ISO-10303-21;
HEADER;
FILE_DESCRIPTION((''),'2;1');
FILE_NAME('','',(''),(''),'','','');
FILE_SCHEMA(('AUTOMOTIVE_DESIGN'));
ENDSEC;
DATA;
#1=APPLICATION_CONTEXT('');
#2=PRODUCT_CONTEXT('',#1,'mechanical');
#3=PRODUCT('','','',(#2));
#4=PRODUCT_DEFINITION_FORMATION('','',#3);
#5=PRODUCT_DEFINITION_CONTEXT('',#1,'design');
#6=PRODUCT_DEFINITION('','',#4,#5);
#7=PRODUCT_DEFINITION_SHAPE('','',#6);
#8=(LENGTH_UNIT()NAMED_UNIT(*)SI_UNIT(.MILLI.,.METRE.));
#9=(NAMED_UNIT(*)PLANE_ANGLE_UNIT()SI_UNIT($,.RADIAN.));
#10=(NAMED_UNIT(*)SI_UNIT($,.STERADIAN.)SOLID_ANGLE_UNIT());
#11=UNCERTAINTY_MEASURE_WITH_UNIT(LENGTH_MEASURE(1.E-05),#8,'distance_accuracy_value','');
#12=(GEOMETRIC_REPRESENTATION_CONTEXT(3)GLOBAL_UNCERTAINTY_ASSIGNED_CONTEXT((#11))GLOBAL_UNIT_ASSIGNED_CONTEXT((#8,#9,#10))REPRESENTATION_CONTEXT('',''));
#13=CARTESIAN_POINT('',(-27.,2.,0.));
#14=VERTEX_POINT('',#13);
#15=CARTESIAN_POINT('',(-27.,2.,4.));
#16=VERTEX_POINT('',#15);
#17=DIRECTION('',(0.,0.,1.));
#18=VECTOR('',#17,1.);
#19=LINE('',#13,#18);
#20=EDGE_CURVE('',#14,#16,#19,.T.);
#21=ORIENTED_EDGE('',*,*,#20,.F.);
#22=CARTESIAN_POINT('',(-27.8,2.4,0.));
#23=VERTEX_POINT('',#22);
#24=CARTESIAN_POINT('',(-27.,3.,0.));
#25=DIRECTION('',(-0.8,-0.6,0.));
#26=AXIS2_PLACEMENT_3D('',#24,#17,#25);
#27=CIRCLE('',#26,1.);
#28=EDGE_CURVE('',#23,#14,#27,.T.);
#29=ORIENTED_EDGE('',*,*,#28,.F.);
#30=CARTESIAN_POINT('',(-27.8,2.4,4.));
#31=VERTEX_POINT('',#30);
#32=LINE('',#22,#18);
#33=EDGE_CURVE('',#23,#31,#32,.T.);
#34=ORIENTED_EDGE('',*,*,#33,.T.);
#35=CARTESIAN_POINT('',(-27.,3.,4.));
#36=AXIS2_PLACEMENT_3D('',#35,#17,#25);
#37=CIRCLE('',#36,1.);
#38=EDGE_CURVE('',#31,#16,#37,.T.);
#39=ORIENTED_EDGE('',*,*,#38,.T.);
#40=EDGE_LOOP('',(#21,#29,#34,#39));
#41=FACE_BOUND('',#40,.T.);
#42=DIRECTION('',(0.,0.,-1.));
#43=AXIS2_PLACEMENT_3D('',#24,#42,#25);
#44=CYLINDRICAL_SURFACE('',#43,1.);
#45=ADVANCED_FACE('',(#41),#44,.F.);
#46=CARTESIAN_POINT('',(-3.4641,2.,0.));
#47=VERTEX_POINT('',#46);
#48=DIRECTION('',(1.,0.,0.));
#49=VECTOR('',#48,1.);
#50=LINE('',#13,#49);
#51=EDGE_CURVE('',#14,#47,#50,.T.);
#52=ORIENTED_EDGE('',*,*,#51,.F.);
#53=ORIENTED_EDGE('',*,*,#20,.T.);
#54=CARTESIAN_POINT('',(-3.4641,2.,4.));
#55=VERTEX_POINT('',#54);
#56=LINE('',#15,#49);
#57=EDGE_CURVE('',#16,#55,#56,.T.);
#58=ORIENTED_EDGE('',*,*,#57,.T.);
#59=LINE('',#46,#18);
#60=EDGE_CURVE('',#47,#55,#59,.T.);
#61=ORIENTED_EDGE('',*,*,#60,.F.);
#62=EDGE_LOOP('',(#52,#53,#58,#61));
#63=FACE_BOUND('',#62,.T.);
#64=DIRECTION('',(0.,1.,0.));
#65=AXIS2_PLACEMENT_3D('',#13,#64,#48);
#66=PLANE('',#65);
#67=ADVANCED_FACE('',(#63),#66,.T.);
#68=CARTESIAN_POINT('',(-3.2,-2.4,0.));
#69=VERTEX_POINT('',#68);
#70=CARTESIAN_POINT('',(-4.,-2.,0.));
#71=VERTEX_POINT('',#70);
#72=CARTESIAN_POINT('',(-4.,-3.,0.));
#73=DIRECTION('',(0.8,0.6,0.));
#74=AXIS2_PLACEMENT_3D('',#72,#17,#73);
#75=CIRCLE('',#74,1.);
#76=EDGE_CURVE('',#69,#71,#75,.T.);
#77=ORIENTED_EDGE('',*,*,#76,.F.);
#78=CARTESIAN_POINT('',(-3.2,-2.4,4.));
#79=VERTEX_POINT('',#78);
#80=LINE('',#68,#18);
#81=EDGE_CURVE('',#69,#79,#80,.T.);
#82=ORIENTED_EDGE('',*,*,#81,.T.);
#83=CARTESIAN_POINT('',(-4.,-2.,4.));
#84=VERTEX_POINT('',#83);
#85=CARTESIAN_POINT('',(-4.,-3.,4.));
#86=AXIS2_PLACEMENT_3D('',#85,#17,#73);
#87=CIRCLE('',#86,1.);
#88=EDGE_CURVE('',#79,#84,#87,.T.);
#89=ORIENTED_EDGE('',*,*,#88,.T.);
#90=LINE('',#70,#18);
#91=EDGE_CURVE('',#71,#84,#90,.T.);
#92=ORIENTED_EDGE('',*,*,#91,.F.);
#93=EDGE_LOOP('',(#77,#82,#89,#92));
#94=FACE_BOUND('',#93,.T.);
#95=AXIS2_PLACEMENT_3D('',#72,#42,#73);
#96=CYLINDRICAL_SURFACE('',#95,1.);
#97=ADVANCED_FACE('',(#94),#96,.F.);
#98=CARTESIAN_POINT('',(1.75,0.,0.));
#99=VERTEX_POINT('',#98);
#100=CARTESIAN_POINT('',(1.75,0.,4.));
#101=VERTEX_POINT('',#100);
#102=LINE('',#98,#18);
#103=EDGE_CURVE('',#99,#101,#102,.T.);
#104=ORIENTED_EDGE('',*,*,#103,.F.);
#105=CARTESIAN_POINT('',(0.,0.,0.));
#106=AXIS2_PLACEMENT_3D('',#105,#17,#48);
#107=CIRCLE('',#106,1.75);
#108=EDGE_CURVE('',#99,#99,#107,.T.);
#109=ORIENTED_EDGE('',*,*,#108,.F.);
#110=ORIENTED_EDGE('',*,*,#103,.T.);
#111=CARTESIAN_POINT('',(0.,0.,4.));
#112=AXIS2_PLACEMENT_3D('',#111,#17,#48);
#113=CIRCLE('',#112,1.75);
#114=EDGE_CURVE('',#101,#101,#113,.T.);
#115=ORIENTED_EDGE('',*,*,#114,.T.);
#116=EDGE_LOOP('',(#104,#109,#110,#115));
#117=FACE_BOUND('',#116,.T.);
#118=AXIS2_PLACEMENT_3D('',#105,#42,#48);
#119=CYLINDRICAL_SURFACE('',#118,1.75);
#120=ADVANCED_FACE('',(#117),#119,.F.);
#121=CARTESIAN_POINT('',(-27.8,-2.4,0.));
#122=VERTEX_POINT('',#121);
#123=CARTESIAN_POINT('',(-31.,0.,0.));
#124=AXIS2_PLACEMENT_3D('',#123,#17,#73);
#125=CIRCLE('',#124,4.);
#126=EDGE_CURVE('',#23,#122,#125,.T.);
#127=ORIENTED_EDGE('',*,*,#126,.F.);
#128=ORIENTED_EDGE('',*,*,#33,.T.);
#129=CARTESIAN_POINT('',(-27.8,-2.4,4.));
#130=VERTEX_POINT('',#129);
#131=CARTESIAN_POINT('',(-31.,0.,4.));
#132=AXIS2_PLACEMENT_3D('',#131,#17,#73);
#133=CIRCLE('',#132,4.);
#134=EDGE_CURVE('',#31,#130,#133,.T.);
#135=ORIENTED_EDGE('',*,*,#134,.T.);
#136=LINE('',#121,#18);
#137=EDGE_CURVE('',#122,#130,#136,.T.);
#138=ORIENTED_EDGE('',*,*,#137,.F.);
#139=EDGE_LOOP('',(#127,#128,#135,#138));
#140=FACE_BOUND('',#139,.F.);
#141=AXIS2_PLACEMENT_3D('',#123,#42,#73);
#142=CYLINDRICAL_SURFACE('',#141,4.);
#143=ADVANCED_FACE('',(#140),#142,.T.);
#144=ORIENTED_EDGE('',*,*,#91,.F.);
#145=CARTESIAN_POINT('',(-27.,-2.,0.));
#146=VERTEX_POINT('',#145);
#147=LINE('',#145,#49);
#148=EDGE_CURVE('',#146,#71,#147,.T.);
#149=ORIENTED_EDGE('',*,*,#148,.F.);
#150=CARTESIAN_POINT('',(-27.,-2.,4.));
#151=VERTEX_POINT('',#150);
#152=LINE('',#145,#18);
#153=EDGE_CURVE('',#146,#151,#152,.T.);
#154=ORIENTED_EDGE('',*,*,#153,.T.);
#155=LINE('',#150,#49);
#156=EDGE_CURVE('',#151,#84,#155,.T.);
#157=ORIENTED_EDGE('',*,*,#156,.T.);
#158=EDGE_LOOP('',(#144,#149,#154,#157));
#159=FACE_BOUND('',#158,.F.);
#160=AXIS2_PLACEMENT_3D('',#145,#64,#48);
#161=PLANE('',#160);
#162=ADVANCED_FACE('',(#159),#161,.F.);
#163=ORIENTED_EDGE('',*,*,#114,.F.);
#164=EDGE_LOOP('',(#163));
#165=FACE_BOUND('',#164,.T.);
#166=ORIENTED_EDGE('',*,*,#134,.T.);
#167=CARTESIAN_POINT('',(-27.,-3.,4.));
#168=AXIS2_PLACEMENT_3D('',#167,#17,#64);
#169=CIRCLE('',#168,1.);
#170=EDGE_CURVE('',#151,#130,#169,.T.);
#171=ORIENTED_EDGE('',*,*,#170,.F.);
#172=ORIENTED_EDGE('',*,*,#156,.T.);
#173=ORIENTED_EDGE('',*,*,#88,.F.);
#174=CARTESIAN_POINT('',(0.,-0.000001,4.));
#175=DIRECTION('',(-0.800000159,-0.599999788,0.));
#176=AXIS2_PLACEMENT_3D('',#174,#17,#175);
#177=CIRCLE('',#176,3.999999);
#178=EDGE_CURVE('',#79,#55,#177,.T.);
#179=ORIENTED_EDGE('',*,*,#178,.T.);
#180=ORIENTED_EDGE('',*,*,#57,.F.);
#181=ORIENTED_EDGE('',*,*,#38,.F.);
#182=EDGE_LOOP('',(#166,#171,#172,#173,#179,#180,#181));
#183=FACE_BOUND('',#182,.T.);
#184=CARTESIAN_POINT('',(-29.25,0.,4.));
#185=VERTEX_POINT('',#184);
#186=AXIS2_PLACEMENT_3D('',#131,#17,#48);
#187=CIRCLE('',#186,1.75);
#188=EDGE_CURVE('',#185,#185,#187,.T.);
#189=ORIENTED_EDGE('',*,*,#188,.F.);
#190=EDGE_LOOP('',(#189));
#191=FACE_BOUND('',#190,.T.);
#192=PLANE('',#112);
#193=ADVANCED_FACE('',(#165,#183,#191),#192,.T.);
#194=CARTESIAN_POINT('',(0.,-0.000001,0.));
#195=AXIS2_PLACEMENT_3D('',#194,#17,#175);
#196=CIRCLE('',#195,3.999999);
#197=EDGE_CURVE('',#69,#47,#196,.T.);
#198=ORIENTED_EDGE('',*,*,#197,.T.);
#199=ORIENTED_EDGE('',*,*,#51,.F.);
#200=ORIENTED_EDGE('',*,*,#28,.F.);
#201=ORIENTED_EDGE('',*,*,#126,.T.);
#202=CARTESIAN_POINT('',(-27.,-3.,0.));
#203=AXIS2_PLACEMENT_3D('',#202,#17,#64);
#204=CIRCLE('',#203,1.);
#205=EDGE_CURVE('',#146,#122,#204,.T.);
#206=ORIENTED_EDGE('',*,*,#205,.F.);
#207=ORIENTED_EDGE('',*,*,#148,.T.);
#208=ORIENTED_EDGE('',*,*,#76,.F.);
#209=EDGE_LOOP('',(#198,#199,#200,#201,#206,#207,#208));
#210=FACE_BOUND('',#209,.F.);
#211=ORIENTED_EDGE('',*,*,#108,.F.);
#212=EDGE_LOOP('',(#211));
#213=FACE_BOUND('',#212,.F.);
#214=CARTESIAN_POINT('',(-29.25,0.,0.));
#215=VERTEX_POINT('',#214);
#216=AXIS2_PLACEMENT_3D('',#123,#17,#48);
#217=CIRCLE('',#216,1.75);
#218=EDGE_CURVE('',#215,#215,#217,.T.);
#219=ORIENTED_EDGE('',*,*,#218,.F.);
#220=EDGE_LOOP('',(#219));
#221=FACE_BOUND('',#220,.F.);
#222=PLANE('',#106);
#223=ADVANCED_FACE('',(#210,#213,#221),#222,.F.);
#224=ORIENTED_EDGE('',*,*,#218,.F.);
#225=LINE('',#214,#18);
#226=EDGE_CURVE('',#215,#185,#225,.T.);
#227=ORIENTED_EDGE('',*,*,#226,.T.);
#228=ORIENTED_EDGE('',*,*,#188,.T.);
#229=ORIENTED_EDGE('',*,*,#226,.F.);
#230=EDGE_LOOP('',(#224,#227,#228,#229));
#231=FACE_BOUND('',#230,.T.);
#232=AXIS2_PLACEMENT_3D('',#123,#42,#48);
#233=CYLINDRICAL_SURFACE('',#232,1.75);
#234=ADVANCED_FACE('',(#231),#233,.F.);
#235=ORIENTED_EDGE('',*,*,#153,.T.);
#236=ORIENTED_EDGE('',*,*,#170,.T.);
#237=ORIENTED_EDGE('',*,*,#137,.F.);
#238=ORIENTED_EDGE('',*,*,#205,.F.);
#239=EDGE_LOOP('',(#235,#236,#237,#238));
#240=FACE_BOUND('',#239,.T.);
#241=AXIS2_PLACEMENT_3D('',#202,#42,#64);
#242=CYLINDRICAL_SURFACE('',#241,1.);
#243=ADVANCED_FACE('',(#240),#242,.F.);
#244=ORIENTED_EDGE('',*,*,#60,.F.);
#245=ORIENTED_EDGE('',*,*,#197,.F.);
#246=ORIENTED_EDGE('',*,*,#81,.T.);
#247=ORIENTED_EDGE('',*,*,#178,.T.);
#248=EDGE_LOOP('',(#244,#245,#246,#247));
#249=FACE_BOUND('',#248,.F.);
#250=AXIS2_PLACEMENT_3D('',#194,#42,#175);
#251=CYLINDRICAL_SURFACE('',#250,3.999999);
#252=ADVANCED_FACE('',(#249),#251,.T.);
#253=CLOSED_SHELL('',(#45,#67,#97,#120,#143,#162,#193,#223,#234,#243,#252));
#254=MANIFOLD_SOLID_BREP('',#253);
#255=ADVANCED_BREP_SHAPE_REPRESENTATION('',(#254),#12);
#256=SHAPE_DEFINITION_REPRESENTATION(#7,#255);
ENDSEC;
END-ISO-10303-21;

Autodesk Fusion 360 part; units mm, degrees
sketch "Sketch1" plane through (0, 0, 0) normal (0, 0, 1) x (1, 0, 0)
  circle A0 centre (0, 0) radius 1.75
  circle A1 centre (-31, 0) radius 1.75
  line L0 (-27, -2) -> (-4, -2)
  line L1 (-27, 2) -> (-3.4641, 2)
  arc A2 (-27.8, 2.4) -> (-27.8, -2.4) centre (-31, 0) ccw
  arc A3 (-3.2, -2.4) -> (-3.4641, 2) centre (0, 0) ccw
  arc A4 (-27, -2) -> (-27.8, -2.4) centre (-27, -3) ccw
  arc A5 (-27.8, 2.4) -> (-27, 2) centre (-27, 3) ccw
  arc A6 (-3.2, -2.4) -> (-4, -2) centre (-4, -3) ccw
  point P0 (-31, 0)
  dimension "d7" = 8
  dimension "d8" = 3.5
  dimension "d9" = 8
  dimension "d10" = 3.5
  dimension "d11" = 1
  dimension "d12" = 1
  dimension "d13" = 1
extrude "Extrude1" add sketch "Sketch1" along normal blind 4
